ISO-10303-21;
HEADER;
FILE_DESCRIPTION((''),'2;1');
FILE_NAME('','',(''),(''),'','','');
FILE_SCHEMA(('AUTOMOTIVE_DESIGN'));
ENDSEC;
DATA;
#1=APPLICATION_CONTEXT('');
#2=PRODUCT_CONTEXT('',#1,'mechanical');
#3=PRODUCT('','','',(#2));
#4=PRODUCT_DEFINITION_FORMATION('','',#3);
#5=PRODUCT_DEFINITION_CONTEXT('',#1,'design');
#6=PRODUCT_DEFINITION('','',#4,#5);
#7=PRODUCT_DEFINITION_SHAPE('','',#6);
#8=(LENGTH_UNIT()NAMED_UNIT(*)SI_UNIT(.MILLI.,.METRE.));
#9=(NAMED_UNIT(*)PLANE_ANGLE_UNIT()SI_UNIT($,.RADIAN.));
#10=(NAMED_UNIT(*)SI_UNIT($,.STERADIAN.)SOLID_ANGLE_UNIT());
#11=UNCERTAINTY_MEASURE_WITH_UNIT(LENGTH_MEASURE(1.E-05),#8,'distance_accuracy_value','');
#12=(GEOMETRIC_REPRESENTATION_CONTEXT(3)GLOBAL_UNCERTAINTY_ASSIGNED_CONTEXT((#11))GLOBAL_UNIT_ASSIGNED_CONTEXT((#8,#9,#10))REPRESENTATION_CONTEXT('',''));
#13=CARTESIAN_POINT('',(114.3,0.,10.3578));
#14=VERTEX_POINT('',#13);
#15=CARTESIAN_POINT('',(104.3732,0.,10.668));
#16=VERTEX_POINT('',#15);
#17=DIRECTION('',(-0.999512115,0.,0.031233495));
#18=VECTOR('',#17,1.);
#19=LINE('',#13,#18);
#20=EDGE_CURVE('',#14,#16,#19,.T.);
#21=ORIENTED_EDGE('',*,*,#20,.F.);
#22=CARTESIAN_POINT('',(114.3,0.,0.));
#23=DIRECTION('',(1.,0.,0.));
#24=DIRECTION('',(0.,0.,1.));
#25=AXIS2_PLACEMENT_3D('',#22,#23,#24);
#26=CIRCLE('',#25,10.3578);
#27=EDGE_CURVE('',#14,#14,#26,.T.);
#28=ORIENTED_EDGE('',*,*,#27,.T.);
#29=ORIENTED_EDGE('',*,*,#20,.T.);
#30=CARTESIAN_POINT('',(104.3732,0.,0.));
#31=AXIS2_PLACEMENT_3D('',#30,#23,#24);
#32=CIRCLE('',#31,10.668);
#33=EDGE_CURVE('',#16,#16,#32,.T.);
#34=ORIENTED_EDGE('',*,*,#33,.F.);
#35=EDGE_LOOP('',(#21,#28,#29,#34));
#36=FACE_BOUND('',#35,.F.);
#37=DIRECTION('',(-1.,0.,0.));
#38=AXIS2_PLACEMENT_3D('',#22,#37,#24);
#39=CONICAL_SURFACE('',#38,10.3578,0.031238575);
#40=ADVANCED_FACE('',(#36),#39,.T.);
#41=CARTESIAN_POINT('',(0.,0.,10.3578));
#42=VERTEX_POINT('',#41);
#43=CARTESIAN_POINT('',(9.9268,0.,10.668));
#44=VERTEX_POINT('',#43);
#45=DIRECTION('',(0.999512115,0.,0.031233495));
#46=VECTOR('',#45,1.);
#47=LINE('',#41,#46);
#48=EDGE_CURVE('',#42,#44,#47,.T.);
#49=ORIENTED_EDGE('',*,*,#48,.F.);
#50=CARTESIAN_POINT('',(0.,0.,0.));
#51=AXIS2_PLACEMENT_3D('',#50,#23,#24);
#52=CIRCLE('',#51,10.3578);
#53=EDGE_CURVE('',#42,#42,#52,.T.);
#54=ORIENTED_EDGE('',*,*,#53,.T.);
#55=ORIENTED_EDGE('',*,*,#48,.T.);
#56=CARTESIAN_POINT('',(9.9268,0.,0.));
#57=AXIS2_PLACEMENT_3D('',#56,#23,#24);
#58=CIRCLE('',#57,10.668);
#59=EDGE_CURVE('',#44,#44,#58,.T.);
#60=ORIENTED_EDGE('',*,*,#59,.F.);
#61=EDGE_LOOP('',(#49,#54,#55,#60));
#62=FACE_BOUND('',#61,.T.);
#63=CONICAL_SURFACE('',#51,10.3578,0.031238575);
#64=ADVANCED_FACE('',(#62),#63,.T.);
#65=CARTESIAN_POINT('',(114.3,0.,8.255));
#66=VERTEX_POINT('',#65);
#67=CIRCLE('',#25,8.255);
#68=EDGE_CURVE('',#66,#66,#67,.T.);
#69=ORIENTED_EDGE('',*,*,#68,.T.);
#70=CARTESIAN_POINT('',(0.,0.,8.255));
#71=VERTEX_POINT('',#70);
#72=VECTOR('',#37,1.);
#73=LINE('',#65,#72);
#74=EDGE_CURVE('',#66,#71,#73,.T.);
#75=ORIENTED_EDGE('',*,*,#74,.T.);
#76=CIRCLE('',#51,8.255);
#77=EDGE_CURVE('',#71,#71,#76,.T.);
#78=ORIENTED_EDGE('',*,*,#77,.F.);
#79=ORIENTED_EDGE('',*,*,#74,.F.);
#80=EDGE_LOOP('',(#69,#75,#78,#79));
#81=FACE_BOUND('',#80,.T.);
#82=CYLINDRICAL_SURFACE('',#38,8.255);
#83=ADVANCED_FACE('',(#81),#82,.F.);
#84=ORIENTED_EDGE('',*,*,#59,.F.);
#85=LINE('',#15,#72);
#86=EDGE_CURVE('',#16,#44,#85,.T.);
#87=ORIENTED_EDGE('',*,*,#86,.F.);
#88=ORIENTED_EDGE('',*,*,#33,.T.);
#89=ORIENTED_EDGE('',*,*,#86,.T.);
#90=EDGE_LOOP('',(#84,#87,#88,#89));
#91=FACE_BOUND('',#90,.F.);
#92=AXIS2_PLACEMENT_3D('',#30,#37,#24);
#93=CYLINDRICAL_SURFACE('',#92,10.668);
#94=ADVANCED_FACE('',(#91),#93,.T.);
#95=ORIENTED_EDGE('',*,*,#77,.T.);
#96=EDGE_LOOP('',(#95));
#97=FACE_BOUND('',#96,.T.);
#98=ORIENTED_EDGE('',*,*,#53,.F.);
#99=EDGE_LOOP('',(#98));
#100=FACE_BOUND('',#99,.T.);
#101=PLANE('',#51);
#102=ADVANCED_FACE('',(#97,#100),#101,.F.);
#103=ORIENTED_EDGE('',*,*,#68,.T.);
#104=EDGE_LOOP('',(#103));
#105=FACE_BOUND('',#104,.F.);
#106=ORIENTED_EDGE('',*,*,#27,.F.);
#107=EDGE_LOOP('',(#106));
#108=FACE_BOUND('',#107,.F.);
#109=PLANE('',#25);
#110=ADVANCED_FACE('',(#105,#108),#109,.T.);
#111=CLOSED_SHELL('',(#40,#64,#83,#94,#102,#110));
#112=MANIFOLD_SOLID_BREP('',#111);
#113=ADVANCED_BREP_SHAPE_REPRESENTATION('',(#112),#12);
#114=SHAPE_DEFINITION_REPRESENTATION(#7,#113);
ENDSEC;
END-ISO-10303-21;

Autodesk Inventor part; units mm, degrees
ref_plane "YZ Plane" through (0, 0, 0) normal (1, 0, 0) x (0, 1, 0)
ref_plane "XZ Plane" through (0, 0, 0) normal (0, 1, 0) x (-1, 0, 0)
ref_plane "XY Plane" through (0, 0, 0) normal (0, 0, 1) x (1, 0, 0)
sketch "Sketch1" plane through (0, 0, 0) normal (0, 1, 0) x (-1, 0, 0)
  line L0 (0, 0) -> (-114.3, 0)
  line L1 (-114.3, 0) -> (-114.3, 8.255) construction
  line L2 (-114.3, 8.255) -> (-114.3, 10.3578)
  line L3 (-114.3, 10.3578) -> (-104.3732, 10.668)
  line L4 (-104.3732, 10.668) -> (-9.9268, 10.668)
  line L5 (-57.15, 0) -> (-57.15, 10.668) construction
  line L6 (-114.3, 8.255) -> (0, 8.255)
  line L7 (0, 0) -> (0, 8.255) construction
  line L8 (0, 8.255) -> (0, 10.3578)
  line L9 (0, 10.3578) -> (-9.9268, 10.668)
  line L10 (-100.744, 10.7814) -> (-100.744, 0) construction
  line L11 (-13.556, 10.7814) -> (-13.556, 0) construction
  line L12 (-104.3732, 10.668) -> (-100.744, 10.7814) construction
  line L13 (-104.3732, 10.668) -> (-104.3732, 0) construction
  line L14 (-9.9268, 10.668) -> (-13.556, 10.7814) construction
  line L15 (-9.9268, 10.668) -> (-9.9268, 0) construction
  dimension "d0" = 21.336
  dimension "d1" = 1.79
  dimension "d2" = 16.51
  dimension "d3" = 114.3
  dimension "d4" = 13.556
  dimension "d5" = 21.5628
revolve "Revolution1" add sketch "Sketch1" angle 360 about axis through (0, 0, 0) along (1, 0, 0)
thread "Thread1" size "1/2" designation "1/2 - 14 NPT" standard "NPT" full length
thread "Thread2" size "1/2" designation "1/2 - 14 NPT" standard "NPT" full length
equation "\"d0\" = OD"
equation "\"d2\" = ID"
equation "\"d3\" = L"
equation "\"d4\" = L2"
equation "\"d5\" = D2"
equation "\"OD\" = 21.336"
equation "\"t\" = 2.413"
equation "\"L\" = PL"
equation "\"L4\" = 19.8501"
equation "\"ID\" = 16.51"
equation "\"PL\" = 114.3"
equation "\"D2\" = 21.56282"
equation "\"L2\" = 13.55598"
equation "\"Size_Designation\" = 1.2345"
equation "\"PLmin\" = 2 * L2"
properties material "Steel, Wrought"
